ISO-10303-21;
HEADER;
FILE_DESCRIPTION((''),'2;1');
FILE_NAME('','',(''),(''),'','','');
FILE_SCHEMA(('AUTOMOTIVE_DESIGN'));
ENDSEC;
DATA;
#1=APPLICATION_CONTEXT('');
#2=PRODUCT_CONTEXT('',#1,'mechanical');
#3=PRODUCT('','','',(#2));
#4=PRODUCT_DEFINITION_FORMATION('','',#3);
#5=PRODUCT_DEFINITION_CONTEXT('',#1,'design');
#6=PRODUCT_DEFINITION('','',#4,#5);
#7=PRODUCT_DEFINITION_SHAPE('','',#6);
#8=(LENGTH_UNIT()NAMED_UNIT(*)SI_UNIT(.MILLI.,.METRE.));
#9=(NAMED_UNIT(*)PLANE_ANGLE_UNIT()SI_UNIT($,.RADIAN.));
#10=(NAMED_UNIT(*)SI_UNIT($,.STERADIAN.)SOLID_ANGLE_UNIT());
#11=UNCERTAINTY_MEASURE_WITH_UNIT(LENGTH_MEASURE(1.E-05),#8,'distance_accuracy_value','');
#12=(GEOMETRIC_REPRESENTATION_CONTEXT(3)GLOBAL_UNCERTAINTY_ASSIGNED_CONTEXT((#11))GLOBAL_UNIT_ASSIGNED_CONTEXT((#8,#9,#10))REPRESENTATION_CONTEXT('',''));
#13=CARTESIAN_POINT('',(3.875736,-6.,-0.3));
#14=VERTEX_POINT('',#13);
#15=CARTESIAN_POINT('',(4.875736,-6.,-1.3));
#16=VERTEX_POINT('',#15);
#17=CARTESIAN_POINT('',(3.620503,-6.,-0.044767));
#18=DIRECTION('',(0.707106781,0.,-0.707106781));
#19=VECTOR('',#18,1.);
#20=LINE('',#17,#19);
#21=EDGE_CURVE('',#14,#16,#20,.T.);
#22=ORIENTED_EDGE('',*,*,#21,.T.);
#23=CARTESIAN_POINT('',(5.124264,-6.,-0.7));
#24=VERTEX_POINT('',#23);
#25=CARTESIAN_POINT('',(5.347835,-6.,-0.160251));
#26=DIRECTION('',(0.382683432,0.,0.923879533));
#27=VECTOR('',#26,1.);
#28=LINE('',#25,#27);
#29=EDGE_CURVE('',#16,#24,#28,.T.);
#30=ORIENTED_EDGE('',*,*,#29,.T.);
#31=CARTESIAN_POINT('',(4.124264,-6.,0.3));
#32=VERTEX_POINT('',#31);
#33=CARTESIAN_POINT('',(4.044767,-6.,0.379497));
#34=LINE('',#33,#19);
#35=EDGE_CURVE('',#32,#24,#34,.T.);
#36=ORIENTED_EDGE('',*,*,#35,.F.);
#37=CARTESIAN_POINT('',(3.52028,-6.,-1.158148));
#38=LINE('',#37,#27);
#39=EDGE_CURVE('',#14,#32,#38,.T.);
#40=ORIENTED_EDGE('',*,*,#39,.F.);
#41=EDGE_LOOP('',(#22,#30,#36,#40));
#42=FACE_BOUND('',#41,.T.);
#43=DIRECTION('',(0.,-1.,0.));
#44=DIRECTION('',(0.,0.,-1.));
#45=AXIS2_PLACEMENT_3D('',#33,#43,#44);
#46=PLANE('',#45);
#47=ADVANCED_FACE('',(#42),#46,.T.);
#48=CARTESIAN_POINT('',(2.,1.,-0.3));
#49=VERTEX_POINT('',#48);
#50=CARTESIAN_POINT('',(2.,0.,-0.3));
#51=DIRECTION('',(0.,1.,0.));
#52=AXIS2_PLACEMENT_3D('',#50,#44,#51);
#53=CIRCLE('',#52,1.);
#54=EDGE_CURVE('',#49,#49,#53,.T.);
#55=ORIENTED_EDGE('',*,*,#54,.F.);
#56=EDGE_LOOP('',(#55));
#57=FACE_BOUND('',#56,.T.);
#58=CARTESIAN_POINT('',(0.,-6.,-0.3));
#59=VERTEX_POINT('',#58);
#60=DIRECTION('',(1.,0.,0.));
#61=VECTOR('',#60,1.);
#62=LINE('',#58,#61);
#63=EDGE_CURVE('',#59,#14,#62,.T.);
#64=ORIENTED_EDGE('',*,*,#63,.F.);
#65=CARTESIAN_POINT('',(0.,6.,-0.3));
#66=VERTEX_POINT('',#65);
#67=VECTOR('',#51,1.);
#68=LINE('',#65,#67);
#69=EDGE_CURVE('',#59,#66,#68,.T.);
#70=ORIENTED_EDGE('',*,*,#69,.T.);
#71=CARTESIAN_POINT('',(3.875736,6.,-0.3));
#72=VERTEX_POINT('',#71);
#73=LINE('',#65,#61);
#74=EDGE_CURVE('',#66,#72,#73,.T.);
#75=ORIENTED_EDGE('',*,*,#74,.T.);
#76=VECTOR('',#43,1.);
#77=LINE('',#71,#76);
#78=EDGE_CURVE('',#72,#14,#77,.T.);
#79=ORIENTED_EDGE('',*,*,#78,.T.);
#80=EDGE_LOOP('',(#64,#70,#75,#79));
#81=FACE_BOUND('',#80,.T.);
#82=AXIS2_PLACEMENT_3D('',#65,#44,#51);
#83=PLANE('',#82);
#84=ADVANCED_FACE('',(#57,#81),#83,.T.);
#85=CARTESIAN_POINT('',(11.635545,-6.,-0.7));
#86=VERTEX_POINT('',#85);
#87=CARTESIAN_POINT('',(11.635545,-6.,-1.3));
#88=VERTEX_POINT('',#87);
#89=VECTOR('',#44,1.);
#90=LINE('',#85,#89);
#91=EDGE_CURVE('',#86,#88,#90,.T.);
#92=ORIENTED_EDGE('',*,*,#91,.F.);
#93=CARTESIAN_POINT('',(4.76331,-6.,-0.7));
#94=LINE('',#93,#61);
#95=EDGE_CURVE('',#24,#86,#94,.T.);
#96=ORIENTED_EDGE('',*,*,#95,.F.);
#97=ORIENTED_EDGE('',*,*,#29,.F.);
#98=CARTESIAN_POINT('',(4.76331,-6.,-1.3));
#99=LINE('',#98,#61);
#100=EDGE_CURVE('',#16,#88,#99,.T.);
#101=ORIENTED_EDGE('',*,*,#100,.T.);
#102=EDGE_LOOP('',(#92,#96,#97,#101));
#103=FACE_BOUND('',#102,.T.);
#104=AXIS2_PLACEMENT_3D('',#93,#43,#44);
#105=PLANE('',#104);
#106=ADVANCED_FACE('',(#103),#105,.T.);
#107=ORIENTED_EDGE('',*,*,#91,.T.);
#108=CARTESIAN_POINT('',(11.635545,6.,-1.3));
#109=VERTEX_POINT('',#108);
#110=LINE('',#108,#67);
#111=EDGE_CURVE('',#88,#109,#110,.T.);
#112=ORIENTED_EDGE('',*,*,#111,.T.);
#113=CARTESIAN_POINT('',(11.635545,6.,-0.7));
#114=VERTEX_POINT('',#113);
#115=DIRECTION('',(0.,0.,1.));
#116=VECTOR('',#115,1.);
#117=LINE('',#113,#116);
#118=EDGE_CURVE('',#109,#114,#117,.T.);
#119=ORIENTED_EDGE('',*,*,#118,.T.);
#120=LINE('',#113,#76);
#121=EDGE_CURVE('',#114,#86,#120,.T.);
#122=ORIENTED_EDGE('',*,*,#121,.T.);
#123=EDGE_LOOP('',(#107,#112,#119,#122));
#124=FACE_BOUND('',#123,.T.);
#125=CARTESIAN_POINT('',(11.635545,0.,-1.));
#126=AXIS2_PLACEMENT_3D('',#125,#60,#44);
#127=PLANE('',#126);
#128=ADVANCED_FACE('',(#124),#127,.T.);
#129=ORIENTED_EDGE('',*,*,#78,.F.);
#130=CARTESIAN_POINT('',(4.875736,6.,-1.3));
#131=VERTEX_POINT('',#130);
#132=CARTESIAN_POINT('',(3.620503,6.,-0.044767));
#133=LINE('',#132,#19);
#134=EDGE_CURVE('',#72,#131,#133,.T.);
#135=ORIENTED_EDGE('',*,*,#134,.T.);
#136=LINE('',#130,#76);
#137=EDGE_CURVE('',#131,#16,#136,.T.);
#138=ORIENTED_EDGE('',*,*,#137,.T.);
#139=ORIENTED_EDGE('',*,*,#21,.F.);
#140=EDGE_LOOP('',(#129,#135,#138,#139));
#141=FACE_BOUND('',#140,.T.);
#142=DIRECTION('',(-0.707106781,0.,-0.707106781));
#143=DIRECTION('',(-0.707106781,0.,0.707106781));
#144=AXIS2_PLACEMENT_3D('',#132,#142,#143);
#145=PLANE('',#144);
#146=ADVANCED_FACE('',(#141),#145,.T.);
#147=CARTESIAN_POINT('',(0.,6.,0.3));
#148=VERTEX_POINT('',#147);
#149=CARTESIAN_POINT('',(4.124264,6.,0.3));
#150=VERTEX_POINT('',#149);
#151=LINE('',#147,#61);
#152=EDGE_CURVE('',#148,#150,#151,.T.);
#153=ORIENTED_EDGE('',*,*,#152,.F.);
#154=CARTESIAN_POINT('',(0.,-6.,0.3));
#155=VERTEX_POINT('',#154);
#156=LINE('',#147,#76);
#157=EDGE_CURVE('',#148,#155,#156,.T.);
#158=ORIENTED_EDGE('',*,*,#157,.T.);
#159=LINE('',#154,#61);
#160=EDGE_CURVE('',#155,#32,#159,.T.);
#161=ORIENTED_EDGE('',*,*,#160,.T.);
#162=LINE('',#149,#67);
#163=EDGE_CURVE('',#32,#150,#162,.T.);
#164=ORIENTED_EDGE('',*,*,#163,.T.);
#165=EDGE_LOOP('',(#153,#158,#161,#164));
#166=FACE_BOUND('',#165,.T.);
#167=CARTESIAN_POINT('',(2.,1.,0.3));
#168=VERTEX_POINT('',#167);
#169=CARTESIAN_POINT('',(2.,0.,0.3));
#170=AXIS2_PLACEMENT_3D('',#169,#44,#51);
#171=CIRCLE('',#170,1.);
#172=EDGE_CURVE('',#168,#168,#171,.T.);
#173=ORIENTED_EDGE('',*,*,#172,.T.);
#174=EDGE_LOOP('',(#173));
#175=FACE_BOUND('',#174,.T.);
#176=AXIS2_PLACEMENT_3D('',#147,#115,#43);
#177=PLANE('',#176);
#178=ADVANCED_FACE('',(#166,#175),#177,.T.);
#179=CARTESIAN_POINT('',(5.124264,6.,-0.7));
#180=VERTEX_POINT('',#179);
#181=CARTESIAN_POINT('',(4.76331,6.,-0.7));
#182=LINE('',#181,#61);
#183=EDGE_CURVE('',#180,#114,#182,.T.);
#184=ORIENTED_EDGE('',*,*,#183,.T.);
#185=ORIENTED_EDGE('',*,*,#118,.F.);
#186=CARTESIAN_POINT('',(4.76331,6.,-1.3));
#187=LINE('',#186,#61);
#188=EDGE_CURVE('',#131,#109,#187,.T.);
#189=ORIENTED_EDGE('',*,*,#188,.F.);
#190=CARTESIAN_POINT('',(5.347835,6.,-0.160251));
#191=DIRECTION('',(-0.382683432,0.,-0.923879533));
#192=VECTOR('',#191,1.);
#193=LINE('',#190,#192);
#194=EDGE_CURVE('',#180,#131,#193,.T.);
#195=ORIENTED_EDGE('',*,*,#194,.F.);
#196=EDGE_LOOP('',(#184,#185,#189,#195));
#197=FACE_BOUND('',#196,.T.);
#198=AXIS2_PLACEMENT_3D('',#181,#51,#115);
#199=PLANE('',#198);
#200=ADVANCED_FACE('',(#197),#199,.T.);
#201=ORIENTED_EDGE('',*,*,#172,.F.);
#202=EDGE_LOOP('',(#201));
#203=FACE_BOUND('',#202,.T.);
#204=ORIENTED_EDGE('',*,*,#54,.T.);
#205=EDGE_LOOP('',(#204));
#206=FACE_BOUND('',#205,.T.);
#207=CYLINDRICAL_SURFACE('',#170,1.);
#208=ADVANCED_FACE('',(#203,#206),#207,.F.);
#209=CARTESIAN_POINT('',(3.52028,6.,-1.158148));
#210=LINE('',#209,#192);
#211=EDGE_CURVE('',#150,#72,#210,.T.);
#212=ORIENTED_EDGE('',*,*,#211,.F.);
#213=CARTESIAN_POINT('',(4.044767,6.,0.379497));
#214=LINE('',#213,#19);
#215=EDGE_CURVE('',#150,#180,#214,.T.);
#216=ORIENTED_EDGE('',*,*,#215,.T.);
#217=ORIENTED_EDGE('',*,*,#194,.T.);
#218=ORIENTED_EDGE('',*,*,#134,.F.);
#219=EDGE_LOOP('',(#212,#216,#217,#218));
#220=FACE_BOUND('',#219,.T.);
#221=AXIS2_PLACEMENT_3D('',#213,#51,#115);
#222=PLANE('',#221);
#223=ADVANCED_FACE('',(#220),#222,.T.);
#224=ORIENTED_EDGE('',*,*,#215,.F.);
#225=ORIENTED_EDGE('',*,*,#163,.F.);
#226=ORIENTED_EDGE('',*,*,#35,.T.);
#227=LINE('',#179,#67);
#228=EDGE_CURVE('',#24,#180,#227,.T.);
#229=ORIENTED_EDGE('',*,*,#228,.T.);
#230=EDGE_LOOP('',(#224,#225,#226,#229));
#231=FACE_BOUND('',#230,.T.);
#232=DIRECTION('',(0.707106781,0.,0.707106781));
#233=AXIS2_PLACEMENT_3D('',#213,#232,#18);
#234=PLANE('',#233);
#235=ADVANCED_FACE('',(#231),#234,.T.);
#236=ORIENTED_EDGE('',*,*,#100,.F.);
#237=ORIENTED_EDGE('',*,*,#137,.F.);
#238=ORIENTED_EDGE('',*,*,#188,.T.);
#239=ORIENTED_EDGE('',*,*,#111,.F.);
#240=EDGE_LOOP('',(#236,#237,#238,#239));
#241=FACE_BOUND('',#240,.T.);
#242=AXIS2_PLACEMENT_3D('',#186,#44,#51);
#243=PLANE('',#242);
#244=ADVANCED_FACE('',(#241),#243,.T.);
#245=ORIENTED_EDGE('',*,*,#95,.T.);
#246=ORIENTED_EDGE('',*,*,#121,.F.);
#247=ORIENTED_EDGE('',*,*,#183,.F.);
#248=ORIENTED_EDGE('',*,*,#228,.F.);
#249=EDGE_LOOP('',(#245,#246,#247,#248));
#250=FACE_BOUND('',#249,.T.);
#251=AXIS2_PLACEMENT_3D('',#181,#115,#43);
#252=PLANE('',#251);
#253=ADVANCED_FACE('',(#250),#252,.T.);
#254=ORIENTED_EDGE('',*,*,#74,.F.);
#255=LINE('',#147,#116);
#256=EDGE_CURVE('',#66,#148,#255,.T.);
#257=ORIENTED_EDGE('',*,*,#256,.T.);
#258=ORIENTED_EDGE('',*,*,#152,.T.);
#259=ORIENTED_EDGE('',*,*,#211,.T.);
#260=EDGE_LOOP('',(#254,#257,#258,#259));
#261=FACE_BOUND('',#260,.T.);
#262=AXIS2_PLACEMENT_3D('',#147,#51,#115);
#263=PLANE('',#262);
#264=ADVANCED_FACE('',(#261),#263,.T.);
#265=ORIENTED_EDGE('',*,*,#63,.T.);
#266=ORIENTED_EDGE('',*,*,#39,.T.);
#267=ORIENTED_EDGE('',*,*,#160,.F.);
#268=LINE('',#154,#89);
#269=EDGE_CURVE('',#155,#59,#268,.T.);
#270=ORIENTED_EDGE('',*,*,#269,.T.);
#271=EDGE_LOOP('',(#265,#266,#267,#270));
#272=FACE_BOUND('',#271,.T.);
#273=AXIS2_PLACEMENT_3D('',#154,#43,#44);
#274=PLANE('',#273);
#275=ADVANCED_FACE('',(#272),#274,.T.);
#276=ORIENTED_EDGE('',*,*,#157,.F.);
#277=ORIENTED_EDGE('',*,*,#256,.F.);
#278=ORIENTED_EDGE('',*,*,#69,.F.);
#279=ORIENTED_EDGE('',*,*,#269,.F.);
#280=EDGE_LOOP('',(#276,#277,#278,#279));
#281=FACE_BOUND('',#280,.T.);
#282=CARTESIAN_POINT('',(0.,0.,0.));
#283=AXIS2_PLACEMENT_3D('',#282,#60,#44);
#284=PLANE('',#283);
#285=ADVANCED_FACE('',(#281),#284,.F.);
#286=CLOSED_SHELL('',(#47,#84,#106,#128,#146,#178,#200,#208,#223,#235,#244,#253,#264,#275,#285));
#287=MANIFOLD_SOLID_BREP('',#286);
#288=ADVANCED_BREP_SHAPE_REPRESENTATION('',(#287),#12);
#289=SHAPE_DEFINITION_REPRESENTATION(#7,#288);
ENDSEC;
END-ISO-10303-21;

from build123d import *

# Parameters (mm, degrees)
SKETCH2_W          = 0.6
SKETCH2_H          = 12
SKETCH3_R          = 1
CUT_EXTRUDE1_DEPTH = 0.6


with BuildPart() as part:
    # Sweep1: sweep along a path in Sketch1
    with BuildLine(Plane(origin=(0, 0, 0), x_dir=(1, 0, 0), z_dir=(0, 1, 0))) as sweep1_path:
        Line((0, 0), (4, 0))
        Line((4, 0), (5, 1))
        Line((5, 1), (11.635544966, 1))
    # Sketch2 → Sweep1 (sweep)
    with BuildSketch(Plane(origin=(0, 0, 0), x_dir=(0, 0, -1), z_dir=(1, 0, 0))):
        Rectangle(SKETCH2_W, SKETCH2_H)
    sweep(path=sweep1_path.line, transition=Transition.RIGHT)

    # Sketch3 → Cut-Extrude1 (cut)
    with BuildSketch(Plane(origin=(0, 0, -0.3), x_dir=(-1, 0, 0), z_dir=(0, 0, -1))):
        with Locations(Location((-2, 0, 0), (0, 0, 90))):
            Circle(SKETCH3_R)
    extrude(amount=-CUT_EXTRUDE1_DEPTH, mode=Mode.SUBTRACT)


solid = part.part
